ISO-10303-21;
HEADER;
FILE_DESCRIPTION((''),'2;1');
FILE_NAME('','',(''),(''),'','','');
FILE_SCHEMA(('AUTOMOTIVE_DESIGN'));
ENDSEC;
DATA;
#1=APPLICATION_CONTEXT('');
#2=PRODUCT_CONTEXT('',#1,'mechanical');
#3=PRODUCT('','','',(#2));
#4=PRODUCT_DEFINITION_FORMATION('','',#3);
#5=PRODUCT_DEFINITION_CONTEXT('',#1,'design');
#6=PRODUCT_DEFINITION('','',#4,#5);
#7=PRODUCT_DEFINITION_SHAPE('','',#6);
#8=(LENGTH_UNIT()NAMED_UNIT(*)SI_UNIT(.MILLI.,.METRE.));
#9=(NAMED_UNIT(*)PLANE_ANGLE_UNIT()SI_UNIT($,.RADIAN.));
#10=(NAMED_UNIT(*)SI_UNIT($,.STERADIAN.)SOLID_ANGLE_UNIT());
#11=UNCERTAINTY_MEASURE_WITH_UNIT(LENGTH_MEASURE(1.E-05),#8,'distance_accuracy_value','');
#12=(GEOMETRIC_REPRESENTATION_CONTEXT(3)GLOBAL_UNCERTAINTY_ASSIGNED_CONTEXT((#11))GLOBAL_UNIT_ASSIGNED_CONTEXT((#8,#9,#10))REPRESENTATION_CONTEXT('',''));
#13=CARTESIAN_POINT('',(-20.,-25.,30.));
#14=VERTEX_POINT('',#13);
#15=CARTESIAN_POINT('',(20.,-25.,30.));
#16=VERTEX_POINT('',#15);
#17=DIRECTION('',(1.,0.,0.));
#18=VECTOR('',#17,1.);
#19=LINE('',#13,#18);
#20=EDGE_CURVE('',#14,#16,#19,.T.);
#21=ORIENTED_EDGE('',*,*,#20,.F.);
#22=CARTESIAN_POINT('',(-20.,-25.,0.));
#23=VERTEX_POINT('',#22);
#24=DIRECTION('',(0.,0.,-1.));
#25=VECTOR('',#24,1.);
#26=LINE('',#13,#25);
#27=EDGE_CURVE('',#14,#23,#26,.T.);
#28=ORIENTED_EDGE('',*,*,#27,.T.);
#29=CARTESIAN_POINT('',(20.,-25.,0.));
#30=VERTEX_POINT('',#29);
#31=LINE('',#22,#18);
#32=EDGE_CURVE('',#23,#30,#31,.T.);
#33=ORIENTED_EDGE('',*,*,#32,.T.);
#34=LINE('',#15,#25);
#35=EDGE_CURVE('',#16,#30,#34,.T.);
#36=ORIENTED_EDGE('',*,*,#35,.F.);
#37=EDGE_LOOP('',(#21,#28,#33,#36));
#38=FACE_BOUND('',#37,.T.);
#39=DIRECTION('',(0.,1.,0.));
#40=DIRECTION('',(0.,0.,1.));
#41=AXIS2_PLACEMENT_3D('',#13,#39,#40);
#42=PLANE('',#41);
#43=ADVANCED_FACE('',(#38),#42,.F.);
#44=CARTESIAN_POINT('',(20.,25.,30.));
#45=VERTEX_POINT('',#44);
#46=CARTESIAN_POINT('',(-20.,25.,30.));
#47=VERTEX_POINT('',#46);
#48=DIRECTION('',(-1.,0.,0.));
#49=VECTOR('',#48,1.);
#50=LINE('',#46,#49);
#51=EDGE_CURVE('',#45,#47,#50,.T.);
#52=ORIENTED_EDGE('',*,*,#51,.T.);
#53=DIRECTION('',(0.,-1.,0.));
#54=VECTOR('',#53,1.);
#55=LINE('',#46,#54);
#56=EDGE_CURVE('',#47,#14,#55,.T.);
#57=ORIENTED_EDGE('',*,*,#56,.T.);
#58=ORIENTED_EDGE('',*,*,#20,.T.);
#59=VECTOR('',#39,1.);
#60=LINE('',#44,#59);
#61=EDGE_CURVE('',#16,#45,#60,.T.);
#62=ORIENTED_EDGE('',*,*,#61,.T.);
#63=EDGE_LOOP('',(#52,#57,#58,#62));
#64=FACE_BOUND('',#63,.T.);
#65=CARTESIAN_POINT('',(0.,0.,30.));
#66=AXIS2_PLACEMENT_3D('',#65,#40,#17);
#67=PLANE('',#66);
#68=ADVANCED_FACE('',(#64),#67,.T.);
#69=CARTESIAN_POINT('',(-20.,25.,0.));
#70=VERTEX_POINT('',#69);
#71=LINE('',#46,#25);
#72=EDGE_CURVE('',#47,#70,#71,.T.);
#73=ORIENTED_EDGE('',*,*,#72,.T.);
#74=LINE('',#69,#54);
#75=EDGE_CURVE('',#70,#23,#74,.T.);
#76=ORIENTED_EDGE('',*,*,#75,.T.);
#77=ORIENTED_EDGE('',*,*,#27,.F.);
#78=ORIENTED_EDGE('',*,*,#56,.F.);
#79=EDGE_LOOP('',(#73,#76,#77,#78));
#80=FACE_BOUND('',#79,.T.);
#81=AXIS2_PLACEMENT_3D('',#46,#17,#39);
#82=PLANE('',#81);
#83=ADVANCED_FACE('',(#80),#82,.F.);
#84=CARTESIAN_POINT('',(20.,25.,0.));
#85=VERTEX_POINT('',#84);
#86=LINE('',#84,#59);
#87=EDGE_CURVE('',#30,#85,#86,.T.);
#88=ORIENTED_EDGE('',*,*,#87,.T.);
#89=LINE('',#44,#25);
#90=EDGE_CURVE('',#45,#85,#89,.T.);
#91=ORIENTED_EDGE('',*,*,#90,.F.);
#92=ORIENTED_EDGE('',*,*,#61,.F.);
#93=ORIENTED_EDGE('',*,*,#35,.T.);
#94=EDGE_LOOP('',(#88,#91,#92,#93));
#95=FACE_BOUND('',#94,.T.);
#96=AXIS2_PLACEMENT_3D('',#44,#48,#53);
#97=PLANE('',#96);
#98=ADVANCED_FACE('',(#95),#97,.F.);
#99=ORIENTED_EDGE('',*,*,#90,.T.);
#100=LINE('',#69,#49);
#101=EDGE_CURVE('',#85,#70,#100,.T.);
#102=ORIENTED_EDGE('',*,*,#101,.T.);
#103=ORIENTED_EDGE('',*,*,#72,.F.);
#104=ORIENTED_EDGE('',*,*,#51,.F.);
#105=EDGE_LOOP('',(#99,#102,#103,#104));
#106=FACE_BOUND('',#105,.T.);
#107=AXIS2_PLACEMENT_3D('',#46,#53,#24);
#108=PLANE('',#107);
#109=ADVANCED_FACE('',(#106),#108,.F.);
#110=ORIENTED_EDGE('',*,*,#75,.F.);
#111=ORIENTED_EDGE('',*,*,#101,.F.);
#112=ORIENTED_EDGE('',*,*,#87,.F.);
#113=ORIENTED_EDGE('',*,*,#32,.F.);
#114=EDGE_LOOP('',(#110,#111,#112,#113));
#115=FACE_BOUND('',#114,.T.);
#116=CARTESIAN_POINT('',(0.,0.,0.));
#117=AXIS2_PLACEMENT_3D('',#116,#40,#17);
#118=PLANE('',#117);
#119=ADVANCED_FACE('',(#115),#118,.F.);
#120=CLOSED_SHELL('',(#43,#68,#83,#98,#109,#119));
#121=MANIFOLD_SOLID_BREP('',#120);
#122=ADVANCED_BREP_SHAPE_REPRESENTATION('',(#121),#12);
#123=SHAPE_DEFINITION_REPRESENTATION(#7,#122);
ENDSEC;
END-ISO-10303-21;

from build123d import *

# Parameters (mm, degrees)
ESBO_O1_W                = 40
ESBO_O1_H                = 50
RESSALTO_EXTRUS_O1_DEPTH = 30


with BuildPart() as part:
    # Esboço1 → Ressalto-extrusão1 (new body)
    with BuildSketch(Plane.XY):
        Rectangle(ESBO_O1_W, ESBO_O1_H)
    extrude(amount=RESSALTO_EXTRUS_O1_DEPTH)


solid = part.part
